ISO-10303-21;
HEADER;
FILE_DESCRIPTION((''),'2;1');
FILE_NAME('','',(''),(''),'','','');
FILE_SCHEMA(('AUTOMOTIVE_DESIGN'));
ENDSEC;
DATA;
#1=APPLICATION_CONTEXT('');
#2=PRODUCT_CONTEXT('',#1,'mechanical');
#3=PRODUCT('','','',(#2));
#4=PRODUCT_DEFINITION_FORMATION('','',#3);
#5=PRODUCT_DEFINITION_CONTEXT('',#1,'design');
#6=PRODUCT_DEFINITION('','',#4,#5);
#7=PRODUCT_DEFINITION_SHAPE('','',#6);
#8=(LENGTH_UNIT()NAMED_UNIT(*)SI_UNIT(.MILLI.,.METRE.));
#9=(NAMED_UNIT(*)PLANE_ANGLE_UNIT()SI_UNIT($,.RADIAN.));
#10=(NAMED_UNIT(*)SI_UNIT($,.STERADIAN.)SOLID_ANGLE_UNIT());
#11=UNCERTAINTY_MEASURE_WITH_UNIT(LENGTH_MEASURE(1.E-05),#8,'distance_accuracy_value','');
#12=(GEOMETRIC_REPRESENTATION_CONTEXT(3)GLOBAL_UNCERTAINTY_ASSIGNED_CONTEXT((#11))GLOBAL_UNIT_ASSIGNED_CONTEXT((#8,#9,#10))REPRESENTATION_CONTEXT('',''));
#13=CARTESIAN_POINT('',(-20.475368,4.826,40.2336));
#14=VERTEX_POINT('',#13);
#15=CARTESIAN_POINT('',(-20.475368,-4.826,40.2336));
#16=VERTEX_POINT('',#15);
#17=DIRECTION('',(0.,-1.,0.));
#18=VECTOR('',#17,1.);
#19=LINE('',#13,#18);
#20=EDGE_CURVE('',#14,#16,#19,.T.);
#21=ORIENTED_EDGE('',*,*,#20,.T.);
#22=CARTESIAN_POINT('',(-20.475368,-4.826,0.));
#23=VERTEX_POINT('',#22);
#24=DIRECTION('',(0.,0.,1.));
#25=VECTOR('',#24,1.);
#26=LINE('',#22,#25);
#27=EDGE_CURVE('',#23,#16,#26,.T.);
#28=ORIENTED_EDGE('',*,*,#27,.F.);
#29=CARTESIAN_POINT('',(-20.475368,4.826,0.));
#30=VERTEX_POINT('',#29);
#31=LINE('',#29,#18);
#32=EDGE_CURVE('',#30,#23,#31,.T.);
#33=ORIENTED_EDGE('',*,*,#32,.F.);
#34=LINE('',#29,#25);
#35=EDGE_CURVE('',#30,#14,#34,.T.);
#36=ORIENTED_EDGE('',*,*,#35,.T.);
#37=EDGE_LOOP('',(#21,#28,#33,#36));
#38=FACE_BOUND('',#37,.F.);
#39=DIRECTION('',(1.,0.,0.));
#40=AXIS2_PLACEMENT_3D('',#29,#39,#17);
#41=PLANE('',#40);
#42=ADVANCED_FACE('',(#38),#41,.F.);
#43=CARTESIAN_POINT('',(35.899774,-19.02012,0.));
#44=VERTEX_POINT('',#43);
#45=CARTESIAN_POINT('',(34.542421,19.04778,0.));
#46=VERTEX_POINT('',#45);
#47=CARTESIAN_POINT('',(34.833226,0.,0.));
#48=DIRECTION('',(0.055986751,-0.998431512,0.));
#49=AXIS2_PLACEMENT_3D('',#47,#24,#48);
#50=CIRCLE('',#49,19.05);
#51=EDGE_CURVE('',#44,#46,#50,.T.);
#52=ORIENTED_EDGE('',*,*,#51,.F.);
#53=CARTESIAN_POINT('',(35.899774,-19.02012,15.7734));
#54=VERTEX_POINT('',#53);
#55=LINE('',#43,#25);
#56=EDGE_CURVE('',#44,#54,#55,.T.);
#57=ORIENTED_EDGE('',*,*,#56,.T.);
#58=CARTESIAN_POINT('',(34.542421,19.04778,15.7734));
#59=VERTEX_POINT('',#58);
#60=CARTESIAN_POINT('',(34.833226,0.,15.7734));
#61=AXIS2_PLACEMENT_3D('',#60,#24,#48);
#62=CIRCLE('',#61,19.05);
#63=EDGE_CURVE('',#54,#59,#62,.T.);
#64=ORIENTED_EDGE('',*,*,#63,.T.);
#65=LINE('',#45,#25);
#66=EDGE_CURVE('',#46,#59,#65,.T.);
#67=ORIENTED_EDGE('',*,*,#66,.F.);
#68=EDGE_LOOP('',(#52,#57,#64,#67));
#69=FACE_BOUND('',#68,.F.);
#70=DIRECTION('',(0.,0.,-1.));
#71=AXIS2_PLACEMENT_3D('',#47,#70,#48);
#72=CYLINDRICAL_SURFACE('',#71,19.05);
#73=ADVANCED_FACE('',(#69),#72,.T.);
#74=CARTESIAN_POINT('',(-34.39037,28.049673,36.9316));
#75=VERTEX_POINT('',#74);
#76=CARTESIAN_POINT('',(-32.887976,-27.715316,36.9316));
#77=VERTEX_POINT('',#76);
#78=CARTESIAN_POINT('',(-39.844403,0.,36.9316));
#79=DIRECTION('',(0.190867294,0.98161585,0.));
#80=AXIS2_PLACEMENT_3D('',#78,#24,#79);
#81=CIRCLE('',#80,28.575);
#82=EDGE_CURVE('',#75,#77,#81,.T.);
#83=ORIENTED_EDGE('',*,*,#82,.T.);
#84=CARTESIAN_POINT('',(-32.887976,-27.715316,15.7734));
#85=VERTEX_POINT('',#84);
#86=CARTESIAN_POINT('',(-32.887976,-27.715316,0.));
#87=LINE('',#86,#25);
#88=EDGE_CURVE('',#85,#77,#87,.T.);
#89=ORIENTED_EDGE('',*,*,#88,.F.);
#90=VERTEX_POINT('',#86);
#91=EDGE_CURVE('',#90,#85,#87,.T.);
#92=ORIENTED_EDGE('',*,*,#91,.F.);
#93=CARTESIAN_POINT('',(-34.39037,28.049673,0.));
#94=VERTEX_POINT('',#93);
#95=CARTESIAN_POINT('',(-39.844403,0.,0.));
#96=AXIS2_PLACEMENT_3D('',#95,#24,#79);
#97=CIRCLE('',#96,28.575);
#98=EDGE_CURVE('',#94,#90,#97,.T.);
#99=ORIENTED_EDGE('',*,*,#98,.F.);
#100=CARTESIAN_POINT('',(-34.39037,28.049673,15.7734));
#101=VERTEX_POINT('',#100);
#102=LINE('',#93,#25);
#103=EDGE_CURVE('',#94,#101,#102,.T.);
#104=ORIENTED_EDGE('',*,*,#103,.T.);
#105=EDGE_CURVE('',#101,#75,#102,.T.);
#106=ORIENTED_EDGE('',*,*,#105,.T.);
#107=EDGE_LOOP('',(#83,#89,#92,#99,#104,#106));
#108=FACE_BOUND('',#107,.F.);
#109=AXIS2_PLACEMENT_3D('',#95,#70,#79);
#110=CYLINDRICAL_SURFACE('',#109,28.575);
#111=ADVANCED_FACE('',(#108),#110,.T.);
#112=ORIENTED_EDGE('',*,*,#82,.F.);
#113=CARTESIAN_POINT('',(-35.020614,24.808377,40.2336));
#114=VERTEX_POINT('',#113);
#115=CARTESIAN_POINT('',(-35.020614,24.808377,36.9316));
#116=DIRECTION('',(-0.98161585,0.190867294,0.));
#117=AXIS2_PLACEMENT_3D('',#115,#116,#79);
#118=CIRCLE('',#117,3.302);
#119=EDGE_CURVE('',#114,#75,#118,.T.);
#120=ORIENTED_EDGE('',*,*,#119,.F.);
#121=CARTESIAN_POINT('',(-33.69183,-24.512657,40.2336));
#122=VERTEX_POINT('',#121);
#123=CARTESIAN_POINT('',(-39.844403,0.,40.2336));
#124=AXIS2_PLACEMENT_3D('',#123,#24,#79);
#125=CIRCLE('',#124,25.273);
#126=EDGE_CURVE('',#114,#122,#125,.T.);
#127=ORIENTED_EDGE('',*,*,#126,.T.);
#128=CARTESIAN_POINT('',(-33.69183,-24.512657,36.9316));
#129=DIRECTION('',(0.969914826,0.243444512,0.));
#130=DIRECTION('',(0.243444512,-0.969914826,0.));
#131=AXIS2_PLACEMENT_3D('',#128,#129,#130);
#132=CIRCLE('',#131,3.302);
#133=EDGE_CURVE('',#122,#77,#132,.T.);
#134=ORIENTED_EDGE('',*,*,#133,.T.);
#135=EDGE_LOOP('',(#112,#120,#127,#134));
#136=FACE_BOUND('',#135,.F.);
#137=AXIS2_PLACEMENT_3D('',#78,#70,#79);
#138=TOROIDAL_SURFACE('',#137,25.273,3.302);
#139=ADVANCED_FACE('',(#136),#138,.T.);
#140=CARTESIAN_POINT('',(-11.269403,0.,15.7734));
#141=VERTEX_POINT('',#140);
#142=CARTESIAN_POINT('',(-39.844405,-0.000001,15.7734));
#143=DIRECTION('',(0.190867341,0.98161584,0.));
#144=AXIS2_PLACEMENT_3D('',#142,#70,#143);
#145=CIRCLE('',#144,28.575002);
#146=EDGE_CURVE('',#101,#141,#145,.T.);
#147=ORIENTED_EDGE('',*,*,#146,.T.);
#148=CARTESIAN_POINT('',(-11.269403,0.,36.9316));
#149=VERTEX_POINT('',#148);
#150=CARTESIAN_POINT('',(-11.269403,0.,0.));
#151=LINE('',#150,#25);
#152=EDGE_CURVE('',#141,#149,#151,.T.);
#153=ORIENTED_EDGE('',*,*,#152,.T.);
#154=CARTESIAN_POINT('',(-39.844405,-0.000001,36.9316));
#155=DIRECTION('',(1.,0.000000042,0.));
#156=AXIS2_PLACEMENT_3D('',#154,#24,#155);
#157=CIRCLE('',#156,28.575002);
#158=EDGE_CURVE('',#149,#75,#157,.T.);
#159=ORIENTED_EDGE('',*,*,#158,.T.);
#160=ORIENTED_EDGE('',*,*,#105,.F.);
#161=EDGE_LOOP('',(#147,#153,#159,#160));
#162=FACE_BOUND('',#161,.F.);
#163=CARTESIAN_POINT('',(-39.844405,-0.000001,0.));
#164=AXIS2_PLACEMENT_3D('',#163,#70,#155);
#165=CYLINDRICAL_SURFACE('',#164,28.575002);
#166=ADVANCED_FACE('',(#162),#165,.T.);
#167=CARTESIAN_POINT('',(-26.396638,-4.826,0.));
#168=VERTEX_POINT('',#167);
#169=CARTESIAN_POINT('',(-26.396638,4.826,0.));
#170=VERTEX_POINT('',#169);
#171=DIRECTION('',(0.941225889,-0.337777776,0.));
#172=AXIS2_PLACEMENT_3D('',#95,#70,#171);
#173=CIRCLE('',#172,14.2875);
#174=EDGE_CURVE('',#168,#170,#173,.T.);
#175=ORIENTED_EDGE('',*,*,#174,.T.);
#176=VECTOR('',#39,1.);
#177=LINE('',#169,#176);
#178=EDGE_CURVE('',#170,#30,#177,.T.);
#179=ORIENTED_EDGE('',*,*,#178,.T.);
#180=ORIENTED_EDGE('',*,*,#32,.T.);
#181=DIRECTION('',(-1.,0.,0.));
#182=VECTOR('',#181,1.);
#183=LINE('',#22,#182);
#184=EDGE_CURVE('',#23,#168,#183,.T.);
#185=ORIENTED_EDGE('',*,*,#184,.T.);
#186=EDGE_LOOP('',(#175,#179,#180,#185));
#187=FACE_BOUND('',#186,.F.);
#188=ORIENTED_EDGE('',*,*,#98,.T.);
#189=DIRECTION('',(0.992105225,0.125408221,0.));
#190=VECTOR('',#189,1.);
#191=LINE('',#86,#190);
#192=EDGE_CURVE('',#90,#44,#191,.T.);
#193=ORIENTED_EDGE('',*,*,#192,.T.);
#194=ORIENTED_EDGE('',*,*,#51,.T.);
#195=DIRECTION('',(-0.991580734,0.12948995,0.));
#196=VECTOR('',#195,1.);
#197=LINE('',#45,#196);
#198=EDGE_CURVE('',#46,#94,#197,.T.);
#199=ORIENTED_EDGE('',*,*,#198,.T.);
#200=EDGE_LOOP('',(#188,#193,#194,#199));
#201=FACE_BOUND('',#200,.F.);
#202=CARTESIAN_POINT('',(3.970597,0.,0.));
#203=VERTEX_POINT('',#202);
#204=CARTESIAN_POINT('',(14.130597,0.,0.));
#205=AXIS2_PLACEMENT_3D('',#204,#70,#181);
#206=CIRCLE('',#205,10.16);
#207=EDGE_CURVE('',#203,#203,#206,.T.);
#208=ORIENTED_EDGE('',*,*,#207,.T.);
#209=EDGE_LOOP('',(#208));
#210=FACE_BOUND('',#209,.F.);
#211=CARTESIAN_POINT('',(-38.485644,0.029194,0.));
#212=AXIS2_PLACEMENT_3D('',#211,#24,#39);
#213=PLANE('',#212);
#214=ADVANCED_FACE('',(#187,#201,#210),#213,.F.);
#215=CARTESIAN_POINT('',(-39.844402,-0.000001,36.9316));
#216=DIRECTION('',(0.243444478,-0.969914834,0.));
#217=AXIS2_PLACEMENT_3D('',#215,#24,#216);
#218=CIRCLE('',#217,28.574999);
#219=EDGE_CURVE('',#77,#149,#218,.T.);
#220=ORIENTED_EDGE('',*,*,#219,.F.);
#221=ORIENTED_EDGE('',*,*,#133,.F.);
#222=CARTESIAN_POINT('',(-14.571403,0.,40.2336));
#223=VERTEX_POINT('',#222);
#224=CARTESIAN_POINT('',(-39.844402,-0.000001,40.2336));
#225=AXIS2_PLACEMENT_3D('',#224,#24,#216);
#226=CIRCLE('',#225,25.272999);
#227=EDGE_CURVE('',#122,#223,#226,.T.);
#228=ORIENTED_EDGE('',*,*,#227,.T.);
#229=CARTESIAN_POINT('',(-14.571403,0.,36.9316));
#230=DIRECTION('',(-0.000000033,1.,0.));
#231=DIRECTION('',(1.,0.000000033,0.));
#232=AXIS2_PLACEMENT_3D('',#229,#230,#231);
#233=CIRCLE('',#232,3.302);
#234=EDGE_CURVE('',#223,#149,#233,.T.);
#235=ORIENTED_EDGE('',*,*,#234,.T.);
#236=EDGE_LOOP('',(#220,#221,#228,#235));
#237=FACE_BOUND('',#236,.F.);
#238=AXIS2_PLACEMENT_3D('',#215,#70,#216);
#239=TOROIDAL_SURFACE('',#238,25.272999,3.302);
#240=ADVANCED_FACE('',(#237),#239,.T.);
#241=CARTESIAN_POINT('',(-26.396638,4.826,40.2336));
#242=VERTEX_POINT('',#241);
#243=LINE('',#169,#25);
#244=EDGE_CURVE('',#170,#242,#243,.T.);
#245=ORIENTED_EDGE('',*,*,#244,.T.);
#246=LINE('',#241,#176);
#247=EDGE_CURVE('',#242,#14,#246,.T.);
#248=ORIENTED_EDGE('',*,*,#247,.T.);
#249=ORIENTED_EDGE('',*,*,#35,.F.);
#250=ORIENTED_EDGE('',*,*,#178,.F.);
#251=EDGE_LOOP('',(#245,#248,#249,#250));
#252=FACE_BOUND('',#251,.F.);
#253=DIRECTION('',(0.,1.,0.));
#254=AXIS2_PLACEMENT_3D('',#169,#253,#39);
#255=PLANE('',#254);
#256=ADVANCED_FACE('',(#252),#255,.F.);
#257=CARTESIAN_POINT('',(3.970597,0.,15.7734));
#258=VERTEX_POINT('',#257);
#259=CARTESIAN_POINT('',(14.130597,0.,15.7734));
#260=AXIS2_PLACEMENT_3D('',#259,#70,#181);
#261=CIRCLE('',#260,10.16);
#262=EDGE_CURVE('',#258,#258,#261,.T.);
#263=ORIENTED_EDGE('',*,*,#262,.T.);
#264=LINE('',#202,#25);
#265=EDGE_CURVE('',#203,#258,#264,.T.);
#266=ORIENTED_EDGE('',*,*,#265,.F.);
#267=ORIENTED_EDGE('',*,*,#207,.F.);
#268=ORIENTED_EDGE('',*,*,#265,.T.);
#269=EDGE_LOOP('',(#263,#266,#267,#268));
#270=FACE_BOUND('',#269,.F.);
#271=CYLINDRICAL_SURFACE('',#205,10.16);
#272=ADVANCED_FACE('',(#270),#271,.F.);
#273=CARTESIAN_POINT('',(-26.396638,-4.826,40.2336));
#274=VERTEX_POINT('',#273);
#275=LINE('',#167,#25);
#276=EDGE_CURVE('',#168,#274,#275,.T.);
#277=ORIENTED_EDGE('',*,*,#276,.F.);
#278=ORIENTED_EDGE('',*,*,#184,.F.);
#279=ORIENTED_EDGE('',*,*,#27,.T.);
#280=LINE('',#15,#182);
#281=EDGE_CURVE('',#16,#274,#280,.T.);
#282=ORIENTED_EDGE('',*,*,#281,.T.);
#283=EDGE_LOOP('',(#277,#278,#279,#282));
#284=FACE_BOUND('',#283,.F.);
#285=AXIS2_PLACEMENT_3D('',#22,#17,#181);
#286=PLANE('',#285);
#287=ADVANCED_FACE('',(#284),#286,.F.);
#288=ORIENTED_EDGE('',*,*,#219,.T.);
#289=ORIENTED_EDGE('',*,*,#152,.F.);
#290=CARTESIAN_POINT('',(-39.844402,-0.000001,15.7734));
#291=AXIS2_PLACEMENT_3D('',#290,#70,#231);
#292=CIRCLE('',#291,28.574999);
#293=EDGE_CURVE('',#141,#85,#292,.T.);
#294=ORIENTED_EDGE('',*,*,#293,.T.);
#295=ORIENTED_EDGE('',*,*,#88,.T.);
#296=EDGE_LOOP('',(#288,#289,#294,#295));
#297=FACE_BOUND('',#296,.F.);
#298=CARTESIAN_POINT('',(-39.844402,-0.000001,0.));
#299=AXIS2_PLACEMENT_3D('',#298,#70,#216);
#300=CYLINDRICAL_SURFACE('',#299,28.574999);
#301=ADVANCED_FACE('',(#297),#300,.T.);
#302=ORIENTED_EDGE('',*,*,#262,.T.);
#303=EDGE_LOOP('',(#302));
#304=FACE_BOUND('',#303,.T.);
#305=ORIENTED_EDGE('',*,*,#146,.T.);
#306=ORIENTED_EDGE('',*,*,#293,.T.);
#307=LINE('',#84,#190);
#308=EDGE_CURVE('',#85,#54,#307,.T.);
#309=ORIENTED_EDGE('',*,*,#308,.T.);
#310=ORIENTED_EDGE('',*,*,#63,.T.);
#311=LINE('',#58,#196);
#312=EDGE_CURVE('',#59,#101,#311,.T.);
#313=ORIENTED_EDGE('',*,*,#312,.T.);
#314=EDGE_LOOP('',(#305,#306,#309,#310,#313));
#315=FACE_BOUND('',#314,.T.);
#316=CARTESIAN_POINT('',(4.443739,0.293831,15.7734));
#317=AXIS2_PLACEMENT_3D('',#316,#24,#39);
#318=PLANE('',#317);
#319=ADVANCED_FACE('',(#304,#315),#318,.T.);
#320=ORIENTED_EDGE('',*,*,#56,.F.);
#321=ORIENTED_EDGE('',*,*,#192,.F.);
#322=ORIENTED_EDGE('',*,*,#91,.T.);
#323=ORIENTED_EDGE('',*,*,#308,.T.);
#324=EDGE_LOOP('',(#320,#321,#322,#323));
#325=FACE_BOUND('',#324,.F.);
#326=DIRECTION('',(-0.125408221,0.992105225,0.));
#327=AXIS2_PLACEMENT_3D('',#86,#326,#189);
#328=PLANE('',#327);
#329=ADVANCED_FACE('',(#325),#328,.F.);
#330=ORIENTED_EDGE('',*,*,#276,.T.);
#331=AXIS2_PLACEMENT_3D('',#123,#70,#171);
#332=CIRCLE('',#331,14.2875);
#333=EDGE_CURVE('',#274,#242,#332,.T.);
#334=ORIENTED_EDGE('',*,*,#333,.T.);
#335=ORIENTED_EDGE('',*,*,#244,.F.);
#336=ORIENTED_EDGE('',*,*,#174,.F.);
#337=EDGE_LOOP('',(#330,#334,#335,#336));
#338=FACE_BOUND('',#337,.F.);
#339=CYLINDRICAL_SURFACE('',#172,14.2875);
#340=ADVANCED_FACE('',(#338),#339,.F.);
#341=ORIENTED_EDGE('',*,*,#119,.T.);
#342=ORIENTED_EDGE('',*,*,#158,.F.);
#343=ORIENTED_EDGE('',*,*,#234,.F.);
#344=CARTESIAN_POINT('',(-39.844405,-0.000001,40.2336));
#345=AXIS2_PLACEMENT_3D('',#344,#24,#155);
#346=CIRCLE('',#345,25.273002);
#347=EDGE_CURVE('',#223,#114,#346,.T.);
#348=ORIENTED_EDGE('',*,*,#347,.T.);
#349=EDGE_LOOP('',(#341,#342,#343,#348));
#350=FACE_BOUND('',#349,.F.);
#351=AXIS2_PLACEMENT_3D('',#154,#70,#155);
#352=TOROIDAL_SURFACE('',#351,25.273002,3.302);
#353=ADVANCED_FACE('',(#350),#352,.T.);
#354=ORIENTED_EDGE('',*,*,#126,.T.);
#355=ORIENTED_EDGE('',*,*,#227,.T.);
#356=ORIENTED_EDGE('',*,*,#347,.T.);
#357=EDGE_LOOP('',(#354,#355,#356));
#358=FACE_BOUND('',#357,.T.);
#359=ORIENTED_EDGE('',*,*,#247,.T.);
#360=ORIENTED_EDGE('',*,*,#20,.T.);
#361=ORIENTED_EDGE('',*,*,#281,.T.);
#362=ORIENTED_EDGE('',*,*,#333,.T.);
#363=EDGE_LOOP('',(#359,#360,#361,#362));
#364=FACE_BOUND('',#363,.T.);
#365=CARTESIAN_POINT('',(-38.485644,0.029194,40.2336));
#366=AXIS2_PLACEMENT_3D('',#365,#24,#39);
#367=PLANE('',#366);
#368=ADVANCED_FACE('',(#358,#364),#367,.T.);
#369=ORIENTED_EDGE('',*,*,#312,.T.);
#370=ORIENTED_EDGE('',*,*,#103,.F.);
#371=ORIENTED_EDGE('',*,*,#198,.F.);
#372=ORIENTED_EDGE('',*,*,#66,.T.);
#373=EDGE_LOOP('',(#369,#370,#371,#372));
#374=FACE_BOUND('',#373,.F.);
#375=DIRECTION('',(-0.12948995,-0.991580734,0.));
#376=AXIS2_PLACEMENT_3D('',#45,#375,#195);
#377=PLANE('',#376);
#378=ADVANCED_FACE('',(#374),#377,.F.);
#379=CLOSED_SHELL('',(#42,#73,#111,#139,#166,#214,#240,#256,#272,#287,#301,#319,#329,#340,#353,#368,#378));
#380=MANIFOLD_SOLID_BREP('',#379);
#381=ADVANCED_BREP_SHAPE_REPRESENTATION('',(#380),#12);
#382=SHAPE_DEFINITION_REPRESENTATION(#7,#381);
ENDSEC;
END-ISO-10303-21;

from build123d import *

# Parameters (mm, degrees)
F1_DEPTH = 15.7734
F2_DEPTH = 40.2336
F3_R     = 3.302


with BuildPart() as f1:
    # F0 (on Top) → F1 (new body)
    with BuildSketch(Plane.XY):
        with BuildLine():
            ThreePointArc((-34.39037, 28.049673), (-17.794691, 18.17528), (-11.269403, 0))
            ThreePointArc((-11.269403, 0), (-17.313196, -17.57485), (-32.887976, -27.715316))
            Line((-32.887976, -27.715316), (35.899774, -19.02012))
            ThreePointArc((35.899774, -19.02012), (53.871128, 0.678817), (34.542421, 19.04778))
            Line((34.542421, 19.04778), (-34.39037, 28.049673))
        make_face()
        with BuildLine():
            ThreePointArc((24.290597, 0), (14.130597, -10.16), (3.970597, 0))
            ThreePointArc((3.970597, 0), (14.130597, 10.16), (24.290597, 0))
        make_face(mode=Mode.SUBTRACT)
    extrude(amount=F1_DEPTH)

    # F0 (on Top) → F2 (join)
    with BuildSketch(Plane.XY):
        with BuildLine():
            ThreePointArc((-32.887976, -27.715316), (-17.313196, -17.57485), (-11.269403, 0))
            ThreePointArc((-11.269403, 0), (-17.794691, 18.17528), (-34.39037, 28.049673))
            ThreePointArc((-34.39037, 28.049673), (-68.409038, -0.769575), (-32.887976, -27.715316))
        make_face()
        with BuildLine():
            Line((-20.475368, 4.826), (-20.475368, 0))
            Line((-20.475368, 0), (-20.475368, -4.826))
            Line((-20.475368, -4.826), (-26.396638, -4.826))
            ThreePointArc((-26.396638, -4.826), (-54.131903, 0), (-26.396638, 4.826))
            Line((-26.396638, 4.826), (-20.475368, 4.826))
        make_face(mode=Mode.SUBTRACT)
    extrude(amount=F2_DEPTH)

    # F3
    f3_edges = [f1.edges().sort_by_distance(p)[0] for p in [
        (-46.80083, 27.715316, 40.2336),
    ]]
    fillet(f3_edges, radius=F3_R)


solid = f1.part
